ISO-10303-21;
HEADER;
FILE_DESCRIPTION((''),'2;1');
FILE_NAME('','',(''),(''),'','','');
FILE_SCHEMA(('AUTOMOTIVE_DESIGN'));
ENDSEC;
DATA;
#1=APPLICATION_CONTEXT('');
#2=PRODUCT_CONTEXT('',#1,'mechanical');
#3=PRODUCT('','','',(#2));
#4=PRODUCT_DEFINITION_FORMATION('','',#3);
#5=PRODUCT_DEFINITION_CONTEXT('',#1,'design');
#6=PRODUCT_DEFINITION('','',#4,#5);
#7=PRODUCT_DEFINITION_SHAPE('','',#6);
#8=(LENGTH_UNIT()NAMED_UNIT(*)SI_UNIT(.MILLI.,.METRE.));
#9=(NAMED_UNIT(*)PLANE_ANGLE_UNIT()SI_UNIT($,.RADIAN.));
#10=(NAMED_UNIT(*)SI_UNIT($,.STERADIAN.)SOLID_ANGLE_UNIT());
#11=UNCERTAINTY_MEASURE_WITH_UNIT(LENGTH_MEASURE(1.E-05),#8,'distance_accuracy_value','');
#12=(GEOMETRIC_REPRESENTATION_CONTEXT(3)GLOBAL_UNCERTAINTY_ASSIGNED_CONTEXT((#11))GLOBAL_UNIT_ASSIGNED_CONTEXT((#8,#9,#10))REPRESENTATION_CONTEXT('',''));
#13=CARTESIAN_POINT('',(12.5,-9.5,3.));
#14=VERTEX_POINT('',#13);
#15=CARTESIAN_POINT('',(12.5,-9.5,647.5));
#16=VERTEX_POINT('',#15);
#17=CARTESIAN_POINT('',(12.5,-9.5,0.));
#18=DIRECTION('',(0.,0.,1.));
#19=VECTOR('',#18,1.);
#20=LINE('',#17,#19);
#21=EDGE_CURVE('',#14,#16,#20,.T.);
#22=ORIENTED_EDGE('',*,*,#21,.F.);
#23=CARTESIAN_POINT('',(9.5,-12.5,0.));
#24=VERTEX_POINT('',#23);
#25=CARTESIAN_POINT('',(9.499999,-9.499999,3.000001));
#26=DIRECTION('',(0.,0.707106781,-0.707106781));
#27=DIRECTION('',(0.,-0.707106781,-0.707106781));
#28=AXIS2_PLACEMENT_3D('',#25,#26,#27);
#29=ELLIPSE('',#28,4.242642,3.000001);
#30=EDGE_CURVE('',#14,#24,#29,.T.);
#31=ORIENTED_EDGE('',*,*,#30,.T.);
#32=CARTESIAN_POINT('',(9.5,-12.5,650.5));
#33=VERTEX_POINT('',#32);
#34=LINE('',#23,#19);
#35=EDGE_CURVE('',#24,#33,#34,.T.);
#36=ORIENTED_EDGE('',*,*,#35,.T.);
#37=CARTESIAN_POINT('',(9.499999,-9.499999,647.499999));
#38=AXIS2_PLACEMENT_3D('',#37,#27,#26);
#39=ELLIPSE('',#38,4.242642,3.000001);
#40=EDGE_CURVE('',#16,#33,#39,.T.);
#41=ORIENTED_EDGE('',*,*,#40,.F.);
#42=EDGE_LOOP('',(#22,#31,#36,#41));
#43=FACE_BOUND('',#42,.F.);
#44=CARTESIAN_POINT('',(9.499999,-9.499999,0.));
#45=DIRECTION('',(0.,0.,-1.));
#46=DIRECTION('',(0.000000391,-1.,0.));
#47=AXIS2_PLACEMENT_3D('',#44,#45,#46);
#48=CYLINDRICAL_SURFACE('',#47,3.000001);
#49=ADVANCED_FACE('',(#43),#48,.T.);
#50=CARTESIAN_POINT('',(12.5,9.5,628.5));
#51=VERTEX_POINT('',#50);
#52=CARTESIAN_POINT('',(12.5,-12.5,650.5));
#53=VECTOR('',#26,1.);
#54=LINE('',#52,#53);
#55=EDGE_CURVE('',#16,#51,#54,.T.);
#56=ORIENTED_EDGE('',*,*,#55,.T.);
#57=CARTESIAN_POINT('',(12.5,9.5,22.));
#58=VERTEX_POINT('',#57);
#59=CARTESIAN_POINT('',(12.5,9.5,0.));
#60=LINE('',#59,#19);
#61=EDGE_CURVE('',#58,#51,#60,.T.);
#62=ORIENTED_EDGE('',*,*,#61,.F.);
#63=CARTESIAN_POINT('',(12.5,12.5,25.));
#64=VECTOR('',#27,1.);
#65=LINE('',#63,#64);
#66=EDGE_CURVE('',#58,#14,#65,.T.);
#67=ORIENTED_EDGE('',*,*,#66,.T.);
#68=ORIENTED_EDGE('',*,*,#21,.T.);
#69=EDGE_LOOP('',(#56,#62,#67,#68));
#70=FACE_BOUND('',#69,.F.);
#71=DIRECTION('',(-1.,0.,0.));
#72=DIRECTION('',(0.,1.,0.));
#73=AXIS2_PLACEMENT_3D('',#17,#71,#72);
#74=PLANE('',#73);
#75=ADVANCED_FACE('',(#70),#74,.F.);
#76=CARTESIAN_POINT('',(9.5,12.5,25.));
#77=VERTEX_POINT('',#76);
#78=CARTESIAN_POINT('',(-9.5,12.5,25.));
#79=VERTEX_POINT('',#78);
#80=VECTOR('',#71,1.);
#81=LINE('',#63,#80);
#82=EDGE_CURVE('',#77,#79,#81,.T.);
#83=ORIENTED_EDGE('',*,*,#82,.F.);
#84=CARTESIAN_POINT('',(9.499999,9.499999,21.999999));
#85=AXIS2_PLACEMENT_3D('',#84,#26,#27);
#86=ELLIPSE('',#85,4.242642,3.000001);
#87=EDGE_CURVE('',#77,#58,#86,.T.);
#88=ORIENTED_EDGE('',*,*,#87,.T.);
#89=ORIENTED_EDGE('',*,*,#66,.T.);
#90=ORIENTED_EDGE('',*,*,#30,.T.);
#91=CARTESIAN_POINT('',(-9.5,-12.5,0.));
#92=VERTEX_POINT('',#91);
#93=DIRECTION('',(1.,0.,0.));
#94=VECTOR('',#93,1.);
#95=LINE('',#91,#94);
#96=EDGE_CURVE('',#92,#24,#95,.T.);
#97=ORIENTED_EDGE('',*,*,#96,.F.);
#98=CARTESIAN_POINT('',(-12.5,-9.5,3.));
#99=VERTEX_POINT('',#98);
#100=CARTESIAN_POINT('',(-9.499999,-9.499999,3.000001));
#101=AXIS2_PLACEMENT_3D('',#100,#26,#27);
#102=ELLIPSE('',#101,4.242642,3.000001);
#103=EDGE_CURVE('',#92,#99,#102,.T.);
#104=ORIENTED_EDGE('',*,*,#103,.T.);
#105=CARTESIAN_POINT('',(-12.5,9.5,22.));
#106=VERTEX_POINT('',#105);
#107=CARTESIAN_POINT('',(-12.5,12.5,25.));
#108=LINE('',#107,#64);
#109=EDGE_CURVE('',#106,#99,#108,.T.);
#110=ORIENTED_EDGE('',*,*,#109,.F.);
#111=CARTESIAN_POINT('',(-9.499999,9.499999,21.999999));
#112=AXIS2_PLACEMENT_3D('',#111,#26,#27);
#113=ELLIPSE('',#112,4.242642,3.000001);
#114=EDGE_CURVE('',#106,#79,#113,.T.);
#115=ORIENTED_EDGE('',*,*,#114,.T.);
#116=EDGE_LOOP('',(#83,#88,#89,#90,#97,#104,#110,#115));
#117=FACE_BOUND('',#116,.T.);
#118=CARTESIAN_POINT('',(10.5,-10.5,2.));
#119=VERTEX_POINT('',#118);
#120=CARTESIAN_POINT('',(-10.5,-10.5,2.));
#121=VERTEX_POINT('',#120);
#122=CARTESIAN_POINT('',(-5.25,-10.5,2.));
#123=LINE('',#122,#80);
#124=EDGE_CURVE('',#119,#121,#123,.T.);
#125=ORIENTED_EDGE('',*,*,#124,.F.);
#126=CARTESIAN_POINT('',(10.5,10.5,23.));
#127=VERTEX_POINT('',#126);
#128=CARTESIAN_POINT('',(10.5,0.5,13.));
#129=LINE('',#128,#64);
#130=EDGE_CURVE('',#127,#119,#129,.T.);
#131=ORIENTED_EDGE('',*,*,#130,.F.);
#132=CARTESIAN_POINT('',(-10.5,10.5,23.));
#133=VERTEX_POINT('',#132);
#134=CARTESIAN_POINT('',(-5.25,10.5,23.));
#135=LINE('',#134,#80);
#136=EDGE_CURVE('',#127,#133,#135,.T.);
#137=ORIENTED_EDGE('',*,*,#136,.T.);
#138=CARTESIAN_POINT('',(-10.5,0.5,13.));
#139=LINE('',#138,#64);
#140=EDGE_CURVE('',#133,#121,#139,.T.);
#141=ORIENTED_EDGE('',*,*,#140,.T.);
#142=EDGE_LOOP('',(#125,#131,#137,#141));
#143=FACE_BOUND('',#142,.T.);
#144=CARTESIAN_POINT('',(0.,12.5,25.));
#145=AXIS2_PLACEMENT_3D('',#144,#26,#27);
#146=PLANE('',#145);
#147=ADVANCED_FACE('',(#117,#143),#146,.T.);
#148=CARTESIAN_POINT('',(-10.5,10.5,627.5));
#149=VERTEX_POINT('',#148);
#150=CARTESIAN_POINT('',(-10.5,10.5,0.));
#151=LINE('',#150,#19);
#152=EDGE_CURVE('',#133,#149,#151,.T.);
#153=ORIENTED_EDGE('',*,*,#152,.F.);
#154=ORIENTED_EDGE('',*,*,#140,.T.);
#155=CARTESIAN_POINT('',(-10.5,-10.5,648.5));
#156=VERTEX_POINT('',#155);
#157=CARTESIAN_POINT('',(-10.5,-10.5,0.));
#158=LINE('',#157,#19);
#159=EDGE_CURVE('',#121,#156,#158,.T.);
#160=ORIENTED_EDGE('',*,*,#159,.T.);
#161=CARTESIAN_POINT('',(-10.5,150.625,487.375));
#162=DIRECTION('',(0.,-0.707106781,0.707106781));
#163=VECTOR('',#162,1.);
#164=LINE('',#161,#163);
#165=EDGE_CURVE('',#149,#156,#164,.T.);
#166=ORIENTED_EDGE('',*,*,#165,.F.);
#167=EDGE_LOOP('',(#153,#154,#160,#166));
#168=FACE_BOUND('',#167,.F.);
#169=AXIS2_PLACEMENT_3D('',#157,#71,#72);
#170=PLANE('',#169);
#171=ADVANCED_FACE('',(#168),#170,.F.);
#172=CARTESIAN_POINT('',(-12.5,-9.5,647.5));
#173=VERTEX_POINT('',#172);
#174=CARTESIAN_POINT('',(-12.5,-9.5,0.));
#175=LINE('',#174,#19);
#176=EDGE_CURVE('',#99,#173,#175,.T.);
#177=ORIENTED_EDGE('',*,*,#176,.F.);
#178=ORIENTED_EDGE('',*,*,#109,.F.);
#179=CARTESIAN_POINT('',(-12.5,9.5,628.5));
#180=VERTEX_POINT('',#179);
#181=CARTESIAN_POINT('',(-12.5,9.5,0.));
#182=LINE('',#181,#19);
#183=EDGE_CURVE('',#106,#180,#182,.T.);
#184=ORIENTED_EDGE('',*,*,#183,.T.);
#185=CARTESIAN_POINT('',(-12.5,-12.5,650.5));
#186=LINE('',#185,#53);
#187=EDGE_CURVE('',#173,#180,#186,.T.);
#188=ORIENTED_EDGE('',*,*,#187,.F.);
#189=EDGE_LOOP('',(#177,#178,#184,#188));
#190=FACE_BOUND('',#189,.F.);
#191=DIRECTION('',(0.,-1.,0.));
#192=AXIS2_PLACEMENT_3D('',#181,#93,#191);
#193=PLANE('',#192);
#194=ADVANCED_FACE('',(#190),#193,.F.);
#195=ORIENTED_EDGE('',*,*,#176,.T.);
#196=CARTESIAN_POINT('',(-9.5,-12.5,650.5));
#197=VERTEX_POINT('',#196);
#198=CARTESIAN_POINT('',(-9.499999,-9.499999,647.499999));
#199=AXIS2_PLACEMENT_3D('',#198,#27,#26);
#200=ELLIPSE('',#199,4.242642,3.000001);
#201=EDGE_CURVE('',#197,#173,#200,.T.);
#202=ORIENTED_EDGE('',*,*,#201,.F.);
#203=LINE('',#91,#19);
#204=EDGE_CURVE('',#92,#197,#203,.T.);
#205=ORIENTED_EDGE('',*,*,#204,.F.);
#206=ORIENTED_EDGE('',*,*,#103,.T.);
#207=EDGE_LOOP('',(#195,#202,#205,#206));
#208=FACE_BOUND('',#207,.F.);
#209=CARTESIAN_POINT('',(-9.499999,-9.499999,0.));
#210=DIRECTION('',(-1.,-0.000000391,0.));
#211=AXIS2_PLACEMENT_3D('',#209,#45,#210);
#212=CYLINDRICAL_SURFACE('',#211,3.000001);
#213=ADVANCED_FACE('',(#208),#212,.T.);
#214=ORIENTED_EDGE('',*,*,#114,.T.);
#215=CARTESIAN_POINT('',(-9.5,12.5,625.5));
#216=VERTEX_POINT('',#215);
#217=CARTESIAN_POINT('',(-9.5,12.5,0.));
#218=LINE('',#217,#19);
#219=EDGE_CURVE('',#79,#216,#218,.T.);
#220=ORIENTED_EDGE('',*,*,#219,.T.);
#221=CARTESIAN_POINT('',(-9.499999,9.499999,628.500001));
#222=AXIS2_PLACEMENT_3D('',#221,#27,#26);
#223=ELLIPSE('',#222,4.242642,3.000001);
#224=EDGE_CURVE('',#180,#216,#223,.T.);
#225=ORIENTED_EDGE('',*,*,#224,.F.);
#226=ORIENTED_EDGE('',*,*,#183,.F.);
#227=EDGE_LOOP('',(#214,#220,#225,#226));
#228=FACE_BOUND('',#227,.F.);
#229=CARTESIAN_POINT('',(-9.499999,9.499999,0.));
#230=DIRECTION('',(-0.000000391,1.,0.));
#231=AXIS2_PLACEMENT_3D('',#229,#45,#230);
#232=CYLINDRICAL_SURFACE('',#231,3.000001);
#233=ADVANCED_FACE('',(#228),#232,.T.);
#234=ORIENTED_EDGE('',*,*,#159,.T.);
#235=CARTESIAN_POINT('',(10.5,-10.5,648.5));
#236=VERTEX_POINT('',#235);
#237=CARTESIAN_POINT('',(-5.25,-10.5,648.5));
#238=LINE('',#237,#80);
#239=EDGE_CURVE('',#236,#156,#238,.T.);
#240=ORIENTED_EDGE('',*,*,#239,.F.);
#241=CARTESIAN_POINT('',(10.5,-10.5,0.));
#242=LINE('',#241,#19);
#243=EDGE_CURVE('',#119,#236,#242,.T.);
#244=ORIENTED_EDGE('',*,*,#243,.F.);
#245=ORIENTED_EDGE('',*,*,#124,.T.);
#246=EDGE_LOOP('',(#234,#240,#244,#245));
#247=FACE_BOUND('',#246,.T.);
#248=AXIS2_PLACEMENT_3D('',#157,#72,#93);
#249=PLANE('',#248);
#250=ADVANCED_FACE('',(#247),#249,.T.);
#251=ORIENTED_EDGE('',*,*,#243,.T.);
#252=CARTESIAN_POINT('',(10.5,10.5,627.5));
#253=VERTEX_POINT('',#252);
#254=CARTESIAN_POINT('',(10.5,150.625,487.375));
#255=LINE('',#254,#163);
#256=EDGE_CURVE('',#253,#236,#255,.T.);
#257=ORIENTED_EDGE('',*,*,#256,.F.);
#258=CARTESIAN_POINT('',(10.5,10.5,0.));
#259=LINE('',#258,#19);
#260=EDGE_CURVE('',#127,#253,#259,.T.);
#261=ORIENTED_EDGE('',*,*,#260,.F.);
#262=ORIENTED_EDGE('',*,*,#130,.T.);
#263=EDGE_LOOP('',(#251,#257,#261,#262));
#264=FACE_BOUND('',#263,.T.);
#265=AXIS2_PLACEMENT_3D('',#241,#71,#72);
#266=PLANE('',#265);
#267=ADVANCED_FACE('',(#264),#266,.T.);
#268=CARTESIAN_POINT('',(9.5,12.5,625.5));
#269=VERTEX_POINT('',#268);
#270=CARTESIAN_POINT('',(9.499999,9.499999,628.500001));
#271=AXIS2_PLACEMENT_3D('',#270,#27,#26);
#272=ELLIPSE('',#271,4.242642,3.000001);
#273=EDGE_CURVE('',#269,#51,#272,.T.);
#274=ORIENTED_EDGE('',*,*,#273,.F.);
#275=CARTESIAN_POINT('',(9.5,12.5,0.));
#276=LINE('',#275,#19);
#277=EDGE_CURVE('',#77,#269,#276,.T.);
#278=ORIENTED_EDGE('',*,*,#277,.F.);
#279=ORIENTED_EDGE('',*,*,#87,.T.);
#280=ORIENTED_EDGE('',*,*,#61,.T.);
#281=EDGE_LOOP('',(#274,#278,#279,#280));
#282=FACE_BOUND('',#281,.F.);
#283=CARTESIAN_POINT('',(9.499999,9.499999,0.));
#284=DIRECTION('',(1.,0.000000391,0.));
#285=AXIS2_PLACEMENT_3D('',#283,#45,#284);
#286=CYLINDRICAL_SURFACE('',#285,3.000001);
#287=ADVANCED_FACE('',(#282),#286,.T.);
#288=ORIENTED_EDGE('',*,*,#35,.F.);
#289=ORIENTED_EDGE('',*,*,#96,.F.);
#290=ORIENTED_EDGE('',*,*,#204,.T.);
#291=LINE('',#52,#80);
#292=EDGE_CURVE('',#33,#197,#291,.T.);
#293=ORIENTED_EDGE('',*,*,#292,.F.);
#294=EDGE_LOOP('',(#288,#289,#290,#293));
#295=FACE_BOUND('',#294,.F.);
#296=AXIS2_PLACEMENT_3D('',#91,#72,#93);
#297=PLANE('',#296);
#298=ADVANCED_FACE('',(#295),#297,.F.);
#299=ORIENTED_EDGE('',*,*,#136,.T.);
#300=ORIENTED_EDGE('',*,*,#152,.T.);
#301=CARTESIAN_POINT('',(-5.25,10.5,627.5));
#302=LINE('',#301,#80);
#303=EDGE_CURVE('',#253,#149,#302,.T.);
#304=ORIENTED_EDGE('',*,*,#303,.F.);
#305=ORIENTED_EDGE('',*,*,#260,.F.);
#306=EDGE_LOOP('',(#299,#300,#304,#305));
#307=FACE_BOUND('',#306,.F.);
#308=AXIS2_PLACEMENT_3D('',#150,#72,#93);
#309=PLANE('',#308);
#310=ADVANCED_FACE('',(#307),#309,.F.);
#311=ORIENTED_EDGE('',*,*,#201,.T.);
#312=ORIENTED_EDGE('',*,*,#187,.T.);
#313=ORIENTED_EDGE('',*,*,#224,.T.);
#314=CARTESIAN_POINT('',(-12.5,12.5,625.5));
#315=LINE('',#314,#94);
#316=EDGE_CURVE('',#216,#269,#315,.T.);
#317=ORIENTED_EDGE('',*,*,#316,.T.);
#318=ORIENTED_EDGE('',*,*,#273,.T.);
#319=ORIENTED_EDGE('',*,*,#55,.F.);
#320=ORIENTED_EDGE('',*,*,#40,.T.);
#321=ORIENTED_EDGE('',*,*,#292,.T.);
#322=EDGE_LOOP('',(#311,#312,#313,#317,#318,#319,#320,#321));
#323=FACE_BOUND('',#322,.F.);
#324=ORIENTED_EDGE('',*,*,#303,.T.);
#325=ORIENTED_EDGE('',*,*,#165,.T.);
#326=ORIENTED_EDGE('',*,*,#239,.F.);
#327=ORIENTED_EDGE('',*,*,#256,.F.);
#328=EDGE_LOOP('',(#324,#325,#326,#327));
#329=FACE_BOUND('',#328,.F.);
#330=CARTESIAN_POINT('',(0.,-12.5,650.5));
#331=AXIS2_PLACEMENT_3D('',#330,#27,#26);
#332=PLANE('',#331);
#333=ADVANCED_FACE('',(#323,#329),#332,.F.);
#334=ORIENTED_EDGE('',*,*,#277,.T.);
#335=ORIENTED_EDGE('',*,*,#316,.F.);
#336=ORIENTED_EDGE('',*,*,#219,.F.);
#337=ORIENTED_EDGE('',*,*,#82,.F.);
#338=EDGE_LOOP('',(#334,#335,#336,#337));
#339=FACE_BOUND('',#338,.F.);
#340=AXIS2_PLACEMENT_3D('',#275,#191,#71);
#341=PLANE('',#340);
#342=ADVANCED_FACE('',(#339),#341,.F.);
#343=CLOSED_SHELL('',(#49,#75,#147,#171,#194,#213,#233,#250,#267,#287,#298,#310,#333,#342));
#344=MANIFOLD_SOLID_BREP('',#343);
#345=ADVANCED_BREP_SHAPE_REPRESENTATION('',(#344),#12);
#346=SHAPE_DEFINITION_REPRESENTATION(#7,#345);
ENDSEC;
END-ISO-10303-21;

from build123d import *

# Parameters (mm, degrees)
F0_W     = 21
F0_H     = 21
F1_DEPTH = 680
F3_DEPTH = 12.5


with BuildPart() as f1:
    # F0 (on Top) → F1 (new body)
    with BuildSketch(Plane.XY):
        with BuildLine():
            ThreePointArc((12.5, 9.5), (11.62132, 11.62132), (9.5, 12.5))
            Line((9.5, 12.5), (-9.5, 12.5))
            ThreePointArc((-9.5, 12.5), (-11.62132, 11.62132), (-12.5, 9.5))
            Line((-12.5, 9.5), (-12.5, -9.5))
            ThreePointArc((-12.5, -9.5), (-11.62132, -11.62132), (-9.5, -12.5))
            Line((-9.5, -12.5), (9.5, -12.5))
            ThreePointArc((9.5, -12.5), (11.62132, -11.62132), (12.5, -9.5))
            Line((12.5, -9.5), (12.5, 9.5))
        make_face()
        Rectangle(F0_W, F0_H, mode=Mode.SUBTRACT)
    extrude(amount=F1_DEPTH)

    # F2 (on Right) → F3 (cut, symmetric)
    with BuildSketch(Plane.YZ):
        Polygon((12.5, 25), (-12.5, 0), (12.5, 0), align=None)
        Polygon((-12.5, 650.5), (12.5, 625.5), (12.5, 680), (-12.5, 680), align=None)
    extrude(amount=F3_DEPTH, both=True, mode=Mode.SUBTRACT)


solid = f1.part
